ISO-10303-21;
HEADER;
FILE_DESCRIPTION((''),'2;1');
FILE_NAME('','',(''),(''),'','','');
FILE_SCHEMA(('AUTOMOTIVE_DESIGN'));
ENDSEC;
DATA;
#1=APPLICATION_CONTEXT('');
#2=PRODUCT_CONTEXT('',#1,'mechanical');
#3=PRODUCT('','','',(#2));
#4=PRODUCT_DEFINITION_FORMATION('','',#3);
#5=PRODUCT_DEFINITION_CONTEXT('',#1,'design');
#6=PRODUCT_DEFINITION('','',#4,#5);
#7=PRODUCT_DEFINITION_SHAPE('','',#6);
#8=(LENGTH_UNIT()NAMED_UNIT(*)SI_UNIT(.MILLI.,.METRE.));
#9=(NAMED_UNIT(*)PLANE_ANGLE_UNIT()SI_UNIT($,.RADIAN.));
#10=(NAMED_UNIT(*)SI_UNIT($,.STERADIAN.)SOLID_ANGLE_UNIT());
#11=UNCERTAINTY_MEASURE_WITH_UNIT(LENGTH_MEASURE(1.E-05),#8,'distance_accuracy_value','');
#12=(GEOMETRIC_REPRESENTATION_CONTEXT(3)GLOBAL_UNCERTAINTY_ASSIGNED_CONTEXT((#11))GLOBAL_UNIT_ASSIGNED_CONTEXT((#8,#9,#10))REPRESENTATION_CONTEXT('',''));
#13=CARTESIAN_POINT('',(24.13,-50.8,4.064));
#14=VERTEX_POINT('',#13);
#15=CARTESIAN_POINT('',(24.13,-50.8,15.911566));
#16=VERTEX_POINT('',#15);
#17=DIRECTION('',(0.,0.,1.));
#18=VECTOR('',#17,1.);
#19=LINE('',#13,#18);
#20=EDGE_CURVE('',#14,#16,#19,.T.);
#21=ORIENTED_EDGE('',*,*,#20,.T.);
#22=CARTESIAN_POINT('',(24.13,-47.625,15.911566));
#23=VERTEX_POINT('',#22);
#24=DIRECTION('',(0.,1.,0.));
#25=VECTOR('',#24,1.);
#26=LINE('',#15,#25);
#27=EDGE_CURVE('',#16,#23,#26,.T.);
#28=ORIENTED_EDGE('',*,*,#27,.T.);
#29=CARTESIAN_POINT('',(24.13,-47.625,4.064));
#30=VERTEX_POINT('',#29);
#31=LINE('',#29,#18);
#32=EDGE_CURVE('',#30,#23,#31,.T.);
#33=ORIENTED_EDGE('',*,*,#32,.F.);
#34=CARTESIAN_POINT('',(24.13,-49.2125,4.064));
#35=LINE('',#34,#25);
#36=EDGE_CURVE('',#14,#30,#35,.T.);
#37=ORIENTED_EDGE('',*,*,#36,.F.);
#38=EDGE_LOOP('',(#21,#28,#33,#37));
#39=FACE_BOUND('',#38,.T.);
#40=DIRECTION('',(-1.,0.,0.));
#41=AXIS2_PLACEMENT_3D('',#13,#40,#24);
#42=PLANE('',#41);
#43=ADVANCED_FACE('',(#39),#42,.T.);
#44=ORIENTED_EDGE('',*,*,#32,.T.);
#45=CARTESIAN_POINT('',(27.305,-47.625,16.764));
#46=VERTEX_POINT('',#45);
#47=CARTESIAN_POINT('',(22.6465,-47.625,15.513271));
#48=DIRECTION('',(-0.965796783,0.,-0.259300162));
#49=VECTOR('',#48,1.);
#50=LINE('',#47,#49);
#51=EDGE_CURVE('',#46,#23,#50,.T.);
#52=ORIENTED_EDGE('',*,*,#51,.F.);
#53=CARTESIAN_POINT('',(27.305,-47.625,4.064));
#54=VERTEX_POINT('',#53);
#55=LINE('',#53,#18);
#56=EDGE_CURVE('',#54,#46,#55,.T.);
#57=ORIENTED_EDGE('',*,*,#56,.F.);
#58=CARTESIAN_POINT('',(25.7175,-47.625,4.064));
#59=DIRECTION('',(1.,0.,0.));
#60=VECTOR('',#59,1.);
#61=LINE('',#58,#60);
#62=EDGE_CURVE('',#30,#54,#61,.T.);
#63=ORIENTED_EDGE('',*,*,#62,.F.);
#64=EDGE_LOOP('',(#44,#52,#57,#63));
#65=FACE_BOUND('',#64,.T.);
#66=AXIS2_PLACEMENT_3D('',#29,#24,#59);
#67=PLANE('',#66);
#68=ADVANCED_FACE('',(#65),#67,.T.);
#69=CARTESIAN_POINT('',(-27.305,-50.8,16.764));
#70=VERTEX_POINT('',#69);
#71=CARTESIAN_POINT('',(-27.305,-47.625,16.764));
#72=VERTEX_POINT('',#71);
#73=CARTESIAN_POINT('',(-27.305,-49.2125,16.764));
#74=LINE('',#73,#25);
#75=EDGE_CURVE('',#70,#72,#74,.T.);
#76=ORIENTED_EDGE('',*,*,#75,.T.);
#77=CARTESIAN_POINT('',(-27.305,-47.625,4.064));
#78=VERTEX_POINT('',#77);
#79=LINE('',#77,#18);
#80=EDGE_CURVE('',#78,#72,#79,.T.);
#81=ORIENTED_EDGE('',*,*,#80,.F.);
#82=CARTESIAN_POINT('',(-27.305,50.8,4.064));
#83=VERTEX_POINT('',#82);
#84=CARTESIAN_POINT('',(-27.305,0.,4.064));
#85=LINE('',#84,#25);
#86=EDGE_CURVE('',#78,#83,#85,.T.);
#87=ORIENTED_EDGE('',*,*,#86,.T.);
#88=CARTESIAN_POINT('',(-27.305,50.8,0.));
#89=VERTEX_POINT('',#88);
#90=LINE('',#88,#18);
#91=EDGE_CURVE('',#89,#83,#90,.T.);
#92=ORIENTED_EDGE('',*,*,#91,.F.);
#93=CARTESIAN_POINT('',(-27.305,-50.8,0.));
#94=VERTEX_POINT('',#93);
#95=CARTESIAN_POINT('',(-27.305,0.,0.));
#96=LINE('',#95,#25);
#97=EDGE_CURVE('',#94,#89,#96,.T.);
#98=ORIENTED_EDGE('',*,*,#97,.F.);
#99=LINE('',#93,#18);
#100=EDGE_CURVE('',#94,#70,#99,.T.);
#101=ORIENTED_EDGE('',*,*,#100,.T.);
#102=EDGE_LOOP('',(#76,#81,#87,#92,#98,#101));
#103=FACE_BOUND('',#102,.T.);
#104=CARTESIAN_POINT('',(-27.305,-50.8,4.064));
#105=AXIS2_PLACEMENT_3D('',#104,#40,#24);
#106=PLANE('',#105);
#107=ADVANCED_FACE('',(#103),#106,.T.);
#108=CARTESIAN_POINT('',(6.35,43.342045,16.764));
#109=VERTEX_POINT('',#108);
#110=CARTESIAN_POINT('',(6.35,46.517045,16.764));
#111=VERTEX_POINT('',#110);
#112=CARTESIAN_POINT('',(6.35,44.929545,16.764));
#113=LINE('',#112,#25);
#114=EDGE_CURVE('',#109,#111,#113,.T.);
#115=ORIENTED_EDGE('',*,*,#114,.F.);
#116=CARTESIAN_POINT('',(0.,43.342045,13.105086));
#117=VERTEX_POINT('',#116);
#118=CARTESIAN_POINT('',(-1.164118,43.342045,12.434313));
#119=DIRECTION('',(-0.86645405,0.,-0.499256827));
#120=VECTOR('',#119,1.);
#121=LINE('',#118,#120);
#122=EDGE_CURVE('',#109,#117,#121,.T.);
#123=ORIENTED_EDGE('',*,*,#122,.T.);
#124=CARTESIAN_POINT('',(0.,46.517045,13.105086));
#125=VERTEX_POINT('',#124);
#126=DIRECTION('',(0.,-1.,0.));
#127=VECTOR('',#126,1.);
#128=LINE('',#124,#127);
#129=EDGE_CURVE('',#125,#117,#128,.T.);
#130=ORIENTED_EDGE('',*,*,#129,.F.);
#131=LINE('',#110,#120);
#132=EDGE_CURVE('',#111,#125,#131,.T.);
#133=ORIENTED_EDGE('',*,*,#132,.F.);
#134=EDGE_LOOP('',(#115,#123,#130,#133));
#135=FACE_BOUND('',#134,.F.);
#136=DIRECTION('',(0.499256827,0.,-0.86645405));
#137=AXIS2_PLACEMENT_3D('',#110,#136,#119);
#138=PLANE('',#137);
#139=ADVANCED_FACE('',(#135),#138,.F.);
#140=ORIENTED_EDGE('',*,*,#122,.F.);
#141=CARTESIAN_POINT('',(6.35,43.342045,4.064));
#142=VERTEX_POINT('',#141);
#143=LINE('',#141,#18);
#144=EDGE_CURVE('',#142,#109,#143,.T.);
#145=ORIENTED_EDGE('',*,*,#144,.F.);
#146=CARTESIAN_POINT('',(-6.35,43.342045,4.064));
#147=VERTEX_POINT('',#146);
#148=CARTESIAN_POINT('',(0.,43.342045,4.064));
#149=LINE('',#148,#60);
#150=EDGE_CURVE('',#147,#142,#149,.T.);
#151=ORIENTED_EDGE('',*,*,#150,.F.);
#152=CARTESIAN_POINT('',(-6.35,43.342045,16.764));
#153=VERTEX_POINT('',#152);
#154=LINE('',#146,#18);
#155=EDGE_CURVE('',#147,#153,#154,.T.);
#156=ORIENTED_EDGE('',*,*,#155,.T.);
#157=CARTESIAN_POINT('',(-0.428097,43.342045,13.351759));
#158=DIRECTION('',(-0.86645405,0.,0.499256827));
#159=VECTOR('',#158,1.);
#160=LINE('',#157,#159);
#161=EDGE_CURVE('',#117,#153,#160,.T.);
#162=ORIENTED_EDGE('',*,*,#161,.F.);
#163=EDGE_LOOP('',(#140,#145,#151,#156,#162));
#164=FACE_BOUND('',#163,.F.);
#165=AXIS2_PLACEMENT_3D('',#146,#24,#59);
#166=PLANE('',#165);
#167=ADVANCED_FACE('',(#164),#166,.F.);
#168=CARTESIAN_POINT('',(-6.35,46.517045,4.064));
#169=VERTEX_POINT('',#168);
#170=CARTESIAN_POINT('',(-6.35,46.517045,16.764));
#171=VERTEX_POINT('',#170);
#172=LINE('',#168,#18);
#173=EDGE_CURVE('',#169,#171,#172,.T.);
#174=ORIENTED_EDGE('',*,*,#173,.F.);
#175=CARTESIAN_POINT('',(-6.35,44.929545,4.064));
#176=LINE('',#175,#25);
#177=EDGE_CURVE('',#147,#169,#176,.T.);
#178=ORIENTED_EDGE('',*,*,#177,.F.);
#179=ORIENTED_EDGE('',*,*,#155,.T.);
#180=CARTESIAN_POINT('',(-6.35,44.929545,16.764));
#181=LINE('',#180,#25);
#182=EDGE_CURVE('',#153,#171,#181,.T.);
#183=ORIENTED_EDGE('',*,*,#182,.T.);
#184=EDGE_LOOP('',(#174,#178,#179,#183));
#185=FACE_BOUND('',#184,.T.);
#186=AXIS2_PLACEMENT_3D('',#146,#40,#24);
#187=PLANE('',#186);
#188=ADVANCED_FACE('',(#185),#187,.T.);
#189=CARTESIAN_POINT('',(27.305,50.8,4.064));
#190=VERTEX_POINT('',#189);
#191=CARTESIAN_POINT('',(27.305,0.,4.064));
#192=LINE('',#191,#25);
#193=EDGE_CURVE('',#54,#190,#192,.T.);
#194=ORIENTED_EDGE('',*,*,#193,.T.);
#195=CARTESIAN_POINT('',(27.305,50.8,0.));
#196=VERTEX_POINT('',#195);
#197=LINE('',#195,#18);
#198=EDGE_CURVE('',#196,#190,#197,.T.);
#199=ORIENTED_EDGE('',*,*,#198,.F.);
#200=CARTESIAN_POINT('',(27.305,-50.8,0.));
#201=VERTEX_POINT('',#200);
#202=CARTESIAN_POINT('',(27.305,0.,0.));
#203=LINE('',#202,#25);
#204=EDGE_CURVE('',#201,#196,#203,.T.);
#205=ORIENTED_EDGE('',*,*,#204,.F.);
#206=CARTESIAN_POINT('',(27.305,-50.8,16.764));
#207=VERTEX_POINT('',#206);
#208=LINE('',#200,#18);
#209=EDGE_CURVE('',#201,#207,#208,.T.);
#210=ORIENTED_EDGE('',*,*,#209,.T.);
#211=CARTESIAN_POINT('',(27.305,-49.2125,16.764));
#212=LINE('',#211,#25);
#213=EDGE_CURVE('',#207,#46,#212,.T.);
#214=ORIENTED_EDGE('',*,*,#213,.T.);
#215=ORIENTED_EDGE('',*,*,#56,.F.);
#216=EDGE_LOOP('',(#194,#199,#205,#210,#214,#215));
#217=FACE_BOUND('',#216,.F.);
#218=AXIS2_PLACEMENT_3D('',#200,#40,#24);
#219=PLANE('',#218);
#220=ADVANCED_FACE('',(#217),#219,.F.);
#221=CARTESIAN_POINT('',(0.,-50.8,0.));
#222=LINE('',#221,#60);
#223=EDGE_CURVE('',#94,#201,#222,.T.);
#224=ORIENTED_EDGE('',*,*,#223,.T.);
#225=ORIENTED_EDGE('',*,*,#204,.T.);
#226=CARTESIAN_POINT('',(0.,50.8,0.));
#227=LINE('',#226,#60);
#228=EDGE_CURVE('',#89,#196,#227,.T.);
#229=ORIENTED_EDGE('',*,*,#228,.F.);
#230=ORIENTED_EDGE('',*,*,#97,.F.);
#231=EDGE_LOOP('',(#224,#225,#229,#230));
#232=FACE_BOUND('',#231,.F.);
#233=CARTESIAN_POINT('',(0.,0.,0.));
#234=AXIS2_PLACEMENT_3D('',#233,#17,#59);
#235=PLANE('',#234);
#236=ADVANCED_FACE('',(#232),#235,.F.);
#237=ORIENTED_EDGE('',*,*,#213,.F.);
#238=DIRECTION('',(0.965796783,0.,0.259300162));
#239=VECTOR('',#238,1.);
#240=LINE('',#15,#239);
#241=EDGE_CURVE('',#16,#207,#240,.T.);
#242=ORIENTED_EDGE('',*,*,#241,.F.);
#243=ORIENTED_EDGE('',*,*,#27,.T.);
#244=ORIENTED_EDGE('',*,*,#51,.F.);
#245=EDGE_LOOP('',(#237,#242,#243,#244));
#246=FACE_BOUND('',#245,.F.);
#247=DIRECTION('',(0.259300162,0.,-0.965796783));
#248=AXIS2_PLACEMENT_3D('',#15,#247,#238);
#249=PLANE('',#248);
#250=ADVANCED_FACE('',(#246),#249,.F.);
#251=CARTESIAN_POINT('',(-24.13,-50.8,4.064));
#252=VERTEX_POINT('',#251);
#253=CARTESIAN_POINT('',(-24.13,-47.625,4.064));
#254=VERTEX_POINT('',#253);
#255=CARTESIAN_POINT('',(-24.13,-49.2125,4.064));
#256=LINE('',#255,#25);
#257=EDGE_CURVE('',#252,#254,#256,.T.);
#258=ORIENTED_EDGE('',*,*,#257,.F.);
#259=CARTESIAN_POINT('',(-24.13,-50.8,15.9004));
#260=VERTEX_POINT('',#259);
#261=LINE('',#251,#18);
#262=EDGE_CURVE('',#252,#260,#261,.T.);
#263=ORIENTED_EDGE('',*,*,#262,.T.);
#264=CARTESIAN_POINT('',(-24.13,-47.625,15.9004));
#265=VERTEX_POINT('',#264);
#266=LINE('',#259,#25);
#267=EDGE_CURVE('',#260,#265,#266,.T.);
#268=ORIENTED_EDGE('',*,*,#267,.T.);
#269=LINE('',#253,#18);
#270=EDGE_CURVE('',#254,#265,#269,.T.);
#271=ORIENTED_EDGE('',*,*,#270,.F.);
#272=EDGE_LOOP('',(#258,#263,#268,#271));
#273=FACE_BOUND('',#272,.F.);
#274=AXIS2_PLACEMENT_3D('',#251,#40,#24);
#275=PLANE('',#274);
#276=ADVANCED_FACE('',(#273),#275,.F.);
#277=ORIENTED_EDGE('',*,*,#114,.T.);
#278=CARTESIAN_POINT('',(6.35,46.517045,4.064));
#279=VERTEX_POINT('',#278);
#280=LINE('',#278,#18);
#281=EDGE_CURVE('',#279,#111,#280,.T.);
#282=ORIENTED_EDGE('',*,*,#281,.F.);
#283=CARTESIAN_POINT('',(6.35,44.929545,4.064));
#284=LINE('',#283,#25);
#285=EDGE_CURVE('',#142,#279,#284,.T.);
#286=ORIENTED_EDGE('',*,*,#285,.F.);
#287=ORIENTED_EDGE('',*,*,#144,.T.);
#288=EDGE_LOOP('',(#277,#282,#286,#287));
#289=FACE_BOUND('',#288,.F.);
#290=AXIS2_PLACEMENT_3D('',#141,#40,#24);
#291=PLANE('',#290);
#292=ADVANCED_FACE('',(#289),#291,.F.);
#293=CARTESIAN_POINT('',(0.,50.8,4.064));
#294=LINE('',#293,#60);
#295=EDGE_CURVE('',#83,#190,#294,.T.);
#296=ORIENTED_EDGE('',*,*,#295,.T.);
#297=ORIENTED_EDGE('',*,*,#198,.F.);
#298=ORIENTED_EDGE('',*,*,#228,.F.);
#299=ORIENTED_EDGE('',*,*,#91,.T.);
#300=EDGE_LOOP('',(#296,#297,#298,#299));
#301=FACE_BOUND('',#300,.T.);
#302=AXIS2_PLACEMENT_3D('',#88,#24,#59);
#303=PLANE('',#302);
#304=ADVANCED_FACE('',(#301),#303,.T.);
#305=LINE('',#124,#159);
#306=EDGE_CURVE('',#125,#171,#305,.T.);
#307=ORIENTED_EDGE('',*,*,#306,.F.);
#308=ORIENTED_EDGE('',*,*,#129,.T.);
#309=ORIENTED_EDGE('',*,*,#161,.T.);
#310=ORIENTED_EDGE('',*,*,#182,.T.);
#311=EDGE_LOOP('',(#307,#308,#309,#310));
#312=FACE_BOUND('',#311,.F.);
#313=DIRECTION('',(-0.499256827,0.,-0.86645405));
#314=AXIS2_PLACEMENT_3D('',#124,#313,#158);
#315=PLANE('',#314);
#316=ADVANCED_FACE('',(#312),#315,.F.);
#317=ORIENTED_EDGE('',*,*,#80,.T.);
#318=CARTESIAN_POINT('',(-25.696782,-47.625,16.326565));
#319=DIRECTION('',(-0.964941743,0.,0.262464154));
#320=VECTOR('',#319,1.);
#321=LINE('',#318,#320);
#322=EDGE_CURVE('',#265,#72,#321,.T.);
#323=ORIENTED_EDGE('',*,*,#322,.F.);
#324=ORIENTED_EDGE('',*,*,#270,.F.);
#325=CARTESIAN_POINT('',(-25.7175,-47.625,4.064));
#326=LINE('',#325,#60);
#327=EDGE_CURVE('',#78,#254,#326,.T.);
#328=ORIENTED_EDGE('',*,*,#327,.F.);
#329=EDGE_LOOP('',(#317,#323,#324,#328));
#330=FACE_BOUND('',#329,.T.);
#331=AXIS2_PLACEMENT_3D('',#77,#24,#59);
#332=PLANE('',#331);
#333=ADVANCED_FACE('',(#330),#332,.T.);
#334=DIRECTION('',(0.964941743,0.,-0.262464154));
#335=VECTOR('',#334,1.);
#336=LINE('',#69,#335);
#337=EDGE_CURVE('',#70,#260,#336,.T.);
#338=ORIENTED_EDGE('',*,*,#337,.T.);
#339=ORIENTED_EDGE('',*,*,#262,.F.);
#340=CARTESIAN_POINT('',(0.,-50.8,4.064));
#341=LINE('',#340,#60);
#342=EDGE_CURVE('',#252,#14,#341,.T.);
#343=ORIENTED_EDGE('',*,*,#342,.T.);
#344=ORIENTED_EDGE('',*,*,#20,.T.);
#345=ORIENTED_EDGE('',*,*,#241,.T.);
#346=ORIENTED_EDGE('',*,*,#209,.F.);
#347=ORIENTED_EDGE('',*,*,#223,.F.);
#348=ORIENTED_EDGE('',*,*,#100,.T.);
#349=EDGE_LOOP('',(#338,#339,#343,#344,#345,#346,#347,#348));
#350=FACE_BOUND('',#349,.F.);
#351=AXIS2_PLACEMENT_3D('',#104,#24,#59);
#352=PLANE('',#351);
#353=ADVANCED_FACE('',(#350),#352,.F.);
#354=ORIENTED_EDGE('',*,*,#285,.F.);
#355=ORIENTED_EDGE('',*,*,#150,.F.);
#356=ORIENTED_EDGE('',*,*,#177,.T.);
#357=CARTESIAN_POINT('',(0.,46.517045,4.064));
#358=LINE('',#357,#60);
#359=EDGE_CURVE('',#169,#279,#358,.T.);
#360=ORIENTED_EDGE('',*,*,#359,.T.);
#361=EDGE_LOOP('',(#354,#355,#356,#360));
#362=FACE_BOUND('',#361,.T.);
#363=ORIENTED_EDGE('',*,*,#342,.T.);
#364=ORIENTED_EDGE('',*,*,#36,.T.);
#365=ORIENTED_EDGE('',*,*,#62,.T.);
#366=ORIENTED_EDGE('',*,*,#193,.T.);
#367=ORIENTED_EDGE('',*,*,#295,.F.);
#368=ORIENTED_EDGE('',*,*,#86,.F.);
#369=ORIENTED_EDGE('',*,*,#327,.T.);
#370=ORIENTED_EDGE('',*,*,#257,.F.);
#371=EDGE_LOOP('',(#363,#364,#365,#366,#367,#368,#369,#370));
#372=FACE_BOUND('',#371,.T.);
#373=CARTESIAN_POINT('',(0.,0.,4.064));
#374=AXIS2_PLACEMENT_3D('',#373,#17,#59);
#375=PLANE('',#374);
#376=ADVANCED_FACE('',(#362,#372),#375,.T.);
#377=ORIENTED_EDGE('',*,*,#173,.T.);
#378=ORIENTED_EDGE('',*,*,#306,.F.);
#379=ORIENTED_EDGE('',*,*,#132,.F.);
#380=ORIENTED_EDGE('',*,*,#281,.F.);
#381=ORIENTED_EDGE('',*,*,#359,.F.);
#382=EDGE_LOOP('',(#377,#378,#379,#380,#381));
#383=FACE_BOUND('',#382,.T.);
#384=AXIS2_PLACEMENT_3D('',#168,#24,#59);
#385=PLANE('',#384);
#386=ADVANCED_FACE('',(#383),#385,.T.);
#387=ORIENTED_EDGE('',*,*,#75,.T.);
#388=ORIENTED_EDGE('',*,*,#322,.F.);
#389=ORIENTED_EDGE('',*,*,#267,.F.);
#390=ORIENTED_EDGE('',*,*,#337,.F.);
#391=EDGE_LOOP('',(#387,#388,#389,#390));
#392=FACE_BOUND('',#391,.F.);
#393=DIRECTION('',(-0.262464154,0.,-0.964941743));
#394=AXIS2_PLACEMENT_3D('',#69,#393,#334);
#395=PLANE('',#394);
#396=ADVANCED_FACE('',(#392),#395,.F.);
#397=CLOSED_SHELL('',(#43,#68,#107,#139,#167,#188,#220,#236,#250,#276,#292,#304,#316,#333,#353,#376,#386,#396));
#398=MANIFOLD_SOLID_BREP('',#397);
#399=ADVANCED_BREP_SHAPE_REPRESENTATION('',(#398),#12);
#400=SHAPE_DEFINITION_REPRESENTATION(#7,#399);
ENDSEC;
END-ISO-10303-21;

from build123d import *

# Parameters (mm, degrees)
F0_W     = 54.61
F0_H     = 101.6
F1_DEPTH = 4.064
F2_W     = 12.7
F2_H     = 3.175
F3_DEPTH = 12.7
F5_DEPTH = 25.4
F6_W     = 3.175
F6_H     = 3.175
F7_DEPTH = 12.7
F9_DEPTH = 25.4


with BuildPart() as f1:
    # F0 (on Top) → F1 (new body)
    with BuildSketch(Plane.XY):
        Rectangle(F0_W, F0_H)
    extrude(amount=F1_DEPTH)

    # F2 (on face) → F3 (join)
    with BuildSketch(Plane.XY.offset(4.064)):
        with Locations((0, 44.929545)):
            Rectangle(F2_W, F2_H)
    extrude(amount=F3_DEPTH)

    # F4 (on face) → F5 (cut)
    with BuildSketch(Plane(origin=(0, 46.517045, 0), x_dir=(-1, 0, 0), z_dir=(0, 1, 0))):
        Polygon((-6.35, 16.764), (0, 13.105086), (6.35, 16.764), align=None)
    extrude(amount=-F5_DEPTH, mode=Mode.SUBTRACT)

    # F6 (on face) → F7 (join)
    with BuildSketch(Plane.XY.offset(4.064)):
        with Locations((-25.7175, -49.2125)):
            Rectangle(F6_W, F6_H)
        with Locations((25.7175, -49.2125)):
            Rectangle(F6_W, F6_H)
    extrude(amount=F7_DEPTH)

    # F8 (on face) → F9 (cut)
    with BuildSketch(Plane.XZ.offset(50.8)):
        Polygon((-24.13, 16.764), (-27.305, 16.764), (-24.13, 15.9004), align=None)
        Polygon((24.13, 15.911566), (27.305, 16.764), (24.13, 16.764), align=None)
    extrude(amount=-F9_DEPTH, mode=Mode.SUBTRACT)


solid = f1.part
